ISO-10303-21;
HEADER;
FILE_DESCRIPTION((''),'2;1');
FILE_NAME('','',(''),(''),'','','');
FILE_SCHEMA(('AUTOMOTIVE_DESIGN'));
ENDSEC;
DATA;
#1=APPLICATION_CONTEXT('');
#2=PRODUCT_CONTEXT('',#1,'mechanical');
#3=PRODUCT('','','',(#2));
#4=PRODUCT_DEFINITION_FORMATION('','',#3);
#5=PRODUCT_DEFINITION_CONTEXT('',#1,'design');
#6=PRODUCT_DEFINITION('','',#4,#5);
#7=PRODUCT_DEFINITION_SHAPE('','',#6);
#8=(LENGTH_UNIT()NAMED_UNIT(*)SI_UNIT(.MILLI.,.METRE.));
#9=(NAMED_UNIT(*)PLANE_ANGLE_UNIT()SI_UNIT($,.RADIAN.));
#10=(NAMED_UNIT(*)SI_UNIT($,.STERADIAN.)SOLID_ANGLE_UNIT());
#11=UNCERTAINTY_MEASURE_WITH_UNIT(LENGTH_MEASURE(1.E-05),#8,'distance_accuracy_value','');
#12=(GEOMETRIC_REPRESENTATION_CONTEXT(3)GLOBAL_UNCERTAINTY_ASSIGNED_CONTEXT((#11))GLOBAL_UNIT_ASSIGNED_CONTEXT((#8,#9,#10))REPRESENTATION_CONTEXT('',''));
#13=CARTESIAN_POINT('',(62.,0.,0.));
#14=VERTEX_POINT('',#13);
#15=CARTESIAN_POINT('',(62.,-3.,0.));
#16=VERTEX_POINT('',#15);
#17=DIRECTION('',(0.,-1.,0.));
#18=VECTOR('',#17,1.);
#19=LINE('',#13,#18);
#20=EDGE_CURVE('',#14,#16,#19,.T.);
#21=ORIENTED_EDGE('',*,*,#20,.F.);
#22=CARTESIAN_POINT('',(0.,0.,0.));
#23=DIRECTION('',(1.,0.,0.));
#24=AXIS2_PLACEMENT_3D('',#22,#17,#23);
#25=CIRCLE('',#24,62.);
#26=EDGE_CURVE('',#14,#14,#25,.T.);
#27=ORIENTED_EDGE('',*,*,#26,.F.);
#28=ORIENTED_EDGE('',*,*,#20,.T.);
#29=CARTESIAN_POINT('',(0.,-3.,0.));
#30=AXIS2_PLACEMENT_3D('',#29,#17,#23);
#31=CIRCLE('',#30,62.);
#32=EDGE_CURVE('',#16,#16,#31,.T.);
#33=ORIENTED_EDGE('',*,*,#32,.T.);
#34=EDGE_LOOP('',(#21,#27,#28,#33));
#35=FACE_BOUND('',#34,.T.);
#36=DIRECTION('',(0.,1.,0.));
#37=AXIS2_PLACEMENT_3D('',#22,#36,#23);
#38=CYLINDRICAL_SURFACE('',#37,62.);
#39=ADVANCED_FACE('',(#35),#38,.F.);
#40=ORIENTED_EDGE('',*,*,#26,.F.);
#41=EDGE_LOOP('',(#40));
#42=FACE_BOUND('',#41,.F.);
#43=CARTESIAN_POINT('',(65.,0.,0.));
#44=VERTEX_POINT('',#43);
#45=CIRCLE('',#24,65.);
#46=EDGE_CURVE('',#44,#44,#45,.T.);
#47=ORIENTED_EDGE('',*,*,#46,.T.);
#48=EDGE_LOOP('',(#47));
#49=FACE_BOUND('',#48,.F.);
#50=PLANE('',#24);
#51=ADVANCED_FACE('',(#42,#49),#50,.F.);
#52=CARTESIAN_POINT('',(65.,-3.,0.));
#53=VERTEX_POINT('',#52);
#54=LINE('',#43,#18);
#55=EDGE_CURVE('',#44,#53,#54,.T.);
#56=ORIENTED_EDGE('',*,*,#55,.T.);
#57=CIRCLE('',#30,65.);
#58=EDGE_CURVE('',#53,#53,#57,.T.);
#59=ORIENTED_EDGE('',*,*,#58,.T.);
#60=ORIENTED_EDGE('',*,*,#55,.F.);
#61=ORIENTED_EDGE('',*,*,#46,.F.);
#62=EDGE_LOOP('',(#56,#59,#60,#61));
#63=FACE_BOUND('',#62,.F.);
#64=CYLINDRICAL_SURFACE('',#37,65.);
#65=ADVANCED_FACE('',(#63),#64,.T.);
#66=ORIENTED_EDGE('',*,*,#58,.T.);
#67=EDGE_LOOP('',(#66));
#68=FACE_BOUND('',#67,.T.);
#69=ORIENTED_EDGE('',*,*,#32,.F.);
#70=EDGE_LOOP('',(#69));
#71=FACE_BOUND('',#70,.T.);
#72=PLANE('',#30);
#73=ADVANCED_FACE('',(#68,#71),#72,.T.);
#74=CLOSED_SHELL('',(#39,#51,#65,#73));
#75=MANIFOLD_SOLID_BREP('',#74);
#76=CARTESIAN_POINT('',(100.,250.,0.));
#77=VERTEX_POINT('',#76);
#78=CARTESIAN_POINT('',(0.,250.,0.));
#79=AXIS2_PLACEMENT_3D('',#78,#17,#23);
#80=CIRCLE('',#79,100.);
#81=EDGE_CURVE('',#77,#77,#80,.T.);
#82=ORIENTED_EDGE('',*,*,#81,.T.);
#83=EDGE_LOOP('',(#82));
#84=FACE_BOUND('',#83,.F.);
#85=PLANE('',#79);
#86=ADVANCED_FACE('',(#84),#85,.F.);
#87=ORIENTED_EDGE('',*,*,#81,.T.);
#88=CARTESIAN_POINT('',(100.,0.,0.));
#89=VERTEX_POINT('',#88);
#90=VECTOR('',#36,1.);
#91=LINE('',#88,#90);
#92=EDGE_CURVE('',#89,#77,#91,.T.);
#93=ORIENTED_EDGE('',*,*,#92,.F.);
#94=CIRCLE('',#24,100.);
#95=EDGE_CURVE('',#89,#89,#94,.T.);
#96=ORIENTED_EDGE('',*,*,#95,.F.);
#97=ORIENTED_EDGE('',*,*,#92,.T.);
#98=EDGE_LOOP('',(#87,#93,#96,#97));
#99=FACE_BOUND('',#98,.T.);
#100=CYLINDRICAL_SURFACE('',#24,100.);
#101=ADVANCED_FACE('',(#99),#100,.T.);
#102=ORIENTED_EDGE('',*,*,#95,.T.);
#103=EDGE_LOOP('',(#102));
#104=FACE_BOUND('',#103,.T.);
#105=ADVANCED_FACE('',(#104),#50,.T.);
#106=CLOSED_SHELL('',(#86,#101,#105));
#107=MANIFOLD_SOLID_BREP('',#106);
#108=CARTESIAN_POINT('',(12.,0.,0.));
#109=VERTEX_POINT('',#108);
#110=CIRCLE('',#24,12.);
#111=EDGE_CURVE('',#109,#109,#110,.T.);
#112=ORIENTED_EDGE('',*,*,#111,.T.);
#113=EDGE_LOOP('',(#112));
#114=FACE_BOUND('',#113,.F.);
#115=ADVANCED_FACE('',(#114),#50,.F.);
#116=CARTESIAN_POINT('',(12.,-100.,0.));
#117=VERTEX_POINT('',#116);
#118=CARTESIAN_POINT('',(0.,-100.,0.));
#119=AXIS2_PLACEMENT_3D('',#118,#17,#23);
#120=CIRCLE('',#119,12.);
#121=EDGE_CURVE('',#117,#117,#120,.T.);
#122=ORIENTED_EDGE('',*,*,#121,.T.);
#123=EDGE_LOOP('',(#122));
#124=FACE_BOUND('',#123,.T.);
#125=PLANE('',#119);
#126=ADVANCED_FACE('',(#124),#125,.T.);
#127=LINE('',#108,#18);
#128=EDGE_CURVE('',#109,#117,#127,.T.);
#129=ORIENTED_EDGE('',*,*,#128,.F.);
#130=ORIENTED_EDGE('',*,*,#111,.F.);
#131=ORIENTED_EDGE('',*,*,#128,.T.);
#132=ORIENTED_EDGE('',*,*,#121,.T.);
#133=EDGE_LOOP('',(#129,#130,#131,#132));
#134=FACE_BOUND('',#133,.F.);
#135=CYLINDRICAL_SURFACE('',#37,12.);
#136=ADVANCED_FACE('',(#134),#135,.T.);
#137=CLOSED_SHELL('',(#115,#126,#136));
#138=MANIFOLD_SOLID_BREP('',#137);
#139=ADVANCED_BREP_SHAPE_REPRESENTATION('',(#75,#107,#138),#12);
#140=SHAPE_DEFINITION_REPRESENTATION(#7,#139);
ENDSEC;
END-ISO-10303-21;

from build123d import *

# Parameters (mm, degrees)
F0_R     = 12
F1_DEPTH = 100
F0_R_2   = 65
F0_R_3   = 62
F2_DEPTH = 3
F0_R_4   = 100
F3_DEPTH = 250


with BuildPart() as f1:
    # F0 (on Front) → F1 (new body)
    with BuildSketch(Plane.XZ):
        Circle(F0_R)
    extrude(amount=F1_DEPTH)


with BuildPart() as f2:
    # F0 (on Front) → F2 (new body)
    with BuildSketch(Plane.XZ):
        Circle(F0_R_2)
        Circle(F0_R_3, mode=Mode.SUBTRACT)
    extrude(amount=F2_DEPTH)


with BuildPart() as f3:
    # F0 (on Front) → F3 (new body)
    with BuildSketch(Plane.XZ):
        Circle(F0_R_4)
        Circle(F0_R_2, mode=Mode.SUBTRACT)
        Circle(F0_R_2)
        Circle(F0_R_3, mode=Mode.SUBTRACT)
        Circle(F0_R_3)
        Circle(F0_R, mode=Mode.SUBTRACT)
        Circle(F0_R)
    extrude(amount=-F3_DEPTH)


solid = Compound([f1.part, f2.part, f3.part])
